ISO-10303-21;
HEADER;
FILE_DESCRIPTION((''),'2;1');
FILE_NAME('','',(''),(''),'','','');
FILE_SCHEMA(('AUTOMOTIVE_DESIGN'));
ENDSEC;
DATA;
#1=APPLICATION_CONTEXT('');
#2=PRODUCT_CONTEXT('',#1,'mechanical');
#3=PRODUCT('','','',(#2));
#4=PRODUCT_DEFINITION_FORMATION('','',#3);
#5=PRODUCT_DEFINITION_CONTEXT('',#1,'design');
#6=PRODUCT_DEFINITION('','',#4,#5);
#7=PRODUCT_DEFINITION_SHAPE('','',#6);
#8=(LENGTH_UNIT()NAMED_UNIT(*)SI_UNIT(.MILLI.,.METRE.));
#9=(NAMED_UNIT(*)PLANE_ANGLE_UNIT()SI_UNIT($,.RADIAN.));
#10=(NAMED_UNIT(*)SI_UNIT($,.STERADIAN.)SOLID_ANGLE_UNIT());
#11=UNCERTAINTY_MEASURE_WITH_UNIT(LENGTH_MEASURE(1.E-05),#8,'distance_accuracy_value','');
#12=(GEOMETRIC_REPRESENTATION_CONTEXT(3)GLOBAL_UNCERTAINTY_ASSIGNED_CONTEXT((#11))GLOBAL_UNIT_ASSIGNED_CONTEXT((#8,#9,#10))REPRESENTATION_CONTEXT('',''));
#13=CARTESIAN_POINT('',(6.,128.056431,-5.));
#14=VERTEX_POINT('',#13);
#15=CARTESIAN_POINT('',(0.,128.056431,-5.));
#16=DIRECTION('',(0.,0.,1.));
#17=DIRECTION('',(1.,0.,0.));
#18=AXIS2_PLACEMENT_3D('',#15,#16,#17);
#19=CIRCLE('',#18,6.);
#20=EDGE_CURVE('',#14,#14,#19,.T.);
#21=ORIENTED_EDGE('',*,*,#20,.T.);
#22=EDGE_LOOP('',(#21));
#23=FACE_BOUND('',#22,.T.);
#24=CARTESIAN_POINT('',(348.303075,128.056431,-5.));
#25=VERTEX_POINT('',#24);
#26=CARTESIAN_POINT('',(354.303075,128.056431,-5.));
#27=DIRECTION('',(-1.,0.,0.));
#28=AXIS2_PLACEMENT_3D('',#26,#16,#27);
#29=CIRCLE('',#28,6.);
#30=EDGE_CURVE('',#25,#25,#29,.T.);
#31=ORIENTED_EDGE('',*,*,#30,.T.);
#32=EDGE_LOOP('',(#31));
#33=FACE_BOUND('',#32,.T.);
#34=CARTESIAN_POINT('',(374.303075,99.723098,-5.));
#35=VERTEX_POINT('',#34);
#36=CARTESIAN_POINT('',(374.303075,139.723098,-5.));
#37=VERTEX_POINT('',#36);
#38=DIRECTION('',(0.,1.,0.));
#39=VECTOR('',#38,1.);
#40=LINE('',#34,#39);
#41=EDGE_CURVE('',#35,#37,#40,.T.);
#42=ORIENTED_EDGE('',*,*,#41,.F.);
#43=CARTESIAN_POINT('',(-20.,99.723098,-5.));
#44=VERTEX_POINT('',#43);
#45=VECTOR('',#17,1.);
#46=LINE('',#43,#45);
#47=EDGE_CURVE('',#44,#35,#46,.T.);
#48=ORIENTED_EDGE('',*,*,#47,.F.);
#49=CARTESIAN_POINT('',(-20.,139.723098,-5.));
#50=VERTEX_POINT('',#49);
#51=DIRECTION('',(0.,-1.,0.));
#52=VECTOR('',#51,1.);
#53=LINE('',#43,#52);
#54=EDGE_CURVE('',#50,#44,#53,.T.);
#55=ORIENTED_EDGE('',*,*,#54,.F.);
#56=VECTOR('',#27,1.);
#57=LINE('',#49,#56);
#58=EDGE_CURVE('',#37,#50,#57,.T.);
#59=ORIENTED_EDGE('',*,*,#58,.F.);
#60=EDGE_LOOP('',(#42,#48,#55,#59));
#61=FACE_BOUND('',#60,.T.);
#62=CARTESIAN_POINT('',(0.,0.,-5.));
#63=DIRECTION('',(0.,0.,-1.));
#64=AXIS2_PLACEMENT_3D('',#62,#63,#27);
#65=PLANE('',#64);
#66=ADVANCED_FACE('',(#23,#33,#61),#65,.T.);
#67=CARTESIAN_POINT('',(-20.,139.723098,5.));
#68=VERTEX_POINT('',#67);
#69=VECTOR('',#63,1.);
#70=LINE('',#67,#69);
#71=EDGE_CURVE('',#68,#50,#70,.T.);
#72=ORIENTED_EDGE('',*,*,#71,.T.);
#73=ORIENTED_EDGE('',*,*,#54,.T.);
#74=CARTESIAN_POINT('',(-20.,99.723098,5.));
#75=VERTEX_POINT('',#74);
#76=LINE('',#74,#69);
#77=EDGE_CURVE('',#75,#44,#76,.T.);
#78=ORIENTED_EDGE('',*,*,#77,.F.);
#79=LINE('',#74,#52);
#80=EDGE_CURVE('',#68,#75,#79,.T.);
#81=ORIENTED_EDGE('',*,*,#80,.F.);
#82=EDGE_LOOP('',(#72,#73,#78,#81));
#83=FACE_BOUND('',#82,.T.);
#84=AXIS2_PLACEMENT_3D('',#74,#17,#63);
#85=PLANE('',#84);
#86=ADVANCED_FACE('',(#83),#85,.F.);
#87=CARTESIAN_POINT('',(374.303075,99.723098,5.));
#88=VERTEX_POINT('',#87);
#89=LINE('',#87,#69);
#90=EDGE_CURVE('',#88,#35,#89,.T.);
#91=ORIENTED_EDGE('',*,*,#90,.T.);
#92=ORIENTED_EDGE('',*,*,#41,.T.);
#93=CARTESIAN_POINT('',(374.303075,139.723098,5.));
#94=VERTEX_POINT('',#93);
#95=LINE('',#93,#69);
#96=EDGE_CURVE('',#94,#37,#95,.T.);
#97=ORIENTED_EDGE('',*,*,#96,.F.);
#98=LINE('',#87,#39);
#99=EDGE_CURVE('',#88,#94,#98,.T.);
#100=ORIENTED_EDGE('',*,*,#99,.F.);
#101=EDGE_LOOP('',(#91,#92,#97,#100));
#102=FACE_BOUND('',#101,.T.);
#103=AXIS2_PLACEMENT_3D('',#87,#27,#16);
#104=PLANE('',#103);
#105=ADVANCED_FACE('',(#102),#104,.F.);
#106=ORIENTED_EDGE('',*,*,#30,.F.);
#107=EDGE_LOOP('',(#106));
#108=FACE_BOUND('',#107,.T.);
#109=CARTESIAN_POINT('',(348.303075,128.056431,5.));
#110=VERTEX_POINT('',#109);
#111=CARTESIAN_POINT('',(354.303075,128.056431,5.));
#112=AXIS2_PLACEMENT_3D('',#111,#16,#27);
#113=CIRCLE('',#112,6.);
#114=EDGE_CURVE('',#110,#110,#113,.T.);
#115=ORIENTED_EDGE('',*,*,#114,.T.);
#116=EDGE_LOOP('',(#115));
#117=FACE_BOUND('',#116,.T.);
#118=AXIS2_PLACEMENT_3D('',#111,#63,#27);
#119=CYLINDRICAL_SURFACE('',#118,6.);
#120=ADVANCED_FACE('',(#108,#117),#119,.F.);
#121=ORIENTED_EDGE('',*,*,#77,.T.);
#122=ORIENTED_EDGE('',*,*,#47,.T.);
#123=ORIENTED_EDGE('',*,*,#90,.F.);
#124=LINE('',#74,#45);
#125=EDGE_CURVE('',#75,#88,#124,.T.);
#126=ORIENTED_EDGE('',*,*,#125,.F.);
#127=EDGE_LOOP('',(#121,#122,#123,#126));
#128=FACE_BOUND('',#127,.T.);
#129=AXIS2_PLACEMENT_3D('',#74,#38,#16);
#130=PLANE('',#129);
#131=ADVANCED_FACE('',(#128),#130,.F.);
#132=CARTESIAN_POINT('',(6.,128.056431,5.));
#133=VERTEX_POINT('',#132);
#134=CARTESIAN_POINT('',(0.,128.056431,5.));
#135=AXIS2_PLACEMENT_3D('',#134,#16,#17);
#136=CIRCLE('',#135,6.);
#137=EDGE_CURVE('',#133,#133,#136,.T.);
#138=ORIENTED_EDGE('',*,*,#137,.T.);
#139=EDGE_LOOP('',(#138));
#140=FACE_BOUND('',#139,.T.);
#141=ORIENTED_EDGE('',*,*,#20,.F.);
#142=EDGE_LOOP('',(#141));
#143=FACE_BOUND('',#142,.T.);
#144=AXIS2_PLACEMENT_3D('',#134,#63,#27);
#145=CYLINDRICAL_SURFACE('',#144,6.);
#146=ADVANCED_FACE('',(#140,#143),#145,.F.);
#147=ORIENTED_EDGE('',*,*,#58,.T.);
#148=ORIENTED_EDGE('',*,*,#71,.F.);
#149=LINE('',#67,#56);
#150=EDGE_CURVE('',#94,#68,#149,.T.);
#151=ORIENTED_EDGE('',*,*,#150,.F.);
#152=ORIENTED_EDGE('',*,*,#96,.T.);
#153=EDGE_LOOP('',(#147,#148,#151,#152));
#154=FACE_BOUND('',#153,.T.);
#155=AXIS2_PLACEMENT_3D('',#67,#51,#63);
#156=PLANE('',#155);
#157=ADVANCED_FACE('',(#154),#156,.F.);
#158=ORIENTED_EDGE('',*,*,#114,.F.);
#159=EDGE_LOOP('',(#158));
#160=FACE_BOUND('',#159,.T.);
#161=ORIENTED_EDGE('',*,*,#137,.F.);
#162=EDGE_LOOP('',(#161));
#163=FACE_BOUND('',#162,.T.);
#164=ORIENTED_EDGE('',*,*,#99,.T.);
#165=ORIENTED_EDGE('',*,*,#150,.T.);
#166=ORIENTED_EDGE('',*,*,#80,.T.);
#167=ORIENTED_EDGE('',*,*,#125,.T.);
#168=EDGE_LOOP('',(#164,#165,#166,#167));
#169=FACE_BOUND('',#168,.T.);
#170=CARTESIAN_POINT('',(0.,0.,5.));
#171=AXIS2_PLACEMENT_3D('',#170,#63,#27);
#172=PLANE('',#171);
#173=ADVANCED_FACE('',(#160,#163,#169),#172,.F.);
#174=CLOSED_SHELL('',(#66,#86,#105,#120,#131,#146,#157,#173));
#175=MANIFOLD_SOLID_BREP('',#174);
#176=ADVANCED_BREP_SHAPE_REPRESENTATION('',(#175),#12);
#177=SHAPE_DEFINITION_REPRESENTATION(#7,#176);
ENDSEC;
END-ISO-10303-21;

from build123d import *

# Parameters (mm, degrees)
SCHIZZO1_W                   = 394.303075113
SCHIZZO1_H                   = 40
SCHIZZO1_R                   = 6
ESTRUSIONE_ESTRUSIONE1_DEPTH = 5


with BuildPart() as part:
    # Schizzo1 → Estrusione-Estrusione1 (new, symmetric)
    with BuildSketch(Plane.XY):
        with Locations((177.151537557, 119.723097721)):
            Rectangle(SCHIZZO1_W, SCHIZZO1_H)
        with Locations((0, 128.056431054)):
            Circle(SCHIZZO1_R, mode=Mode.SUBTRACT)
        with Locations(Location((354.303075113, 128.056431054, 0), (0, 0, 180))):
            Circle(SCHIZZO1_R, mode=Mode.SUBTRACT)
    extrude(amount=ESTRUSIONE_ESTRUSIONE1_DEPTH, both=True)


solid = part.part
